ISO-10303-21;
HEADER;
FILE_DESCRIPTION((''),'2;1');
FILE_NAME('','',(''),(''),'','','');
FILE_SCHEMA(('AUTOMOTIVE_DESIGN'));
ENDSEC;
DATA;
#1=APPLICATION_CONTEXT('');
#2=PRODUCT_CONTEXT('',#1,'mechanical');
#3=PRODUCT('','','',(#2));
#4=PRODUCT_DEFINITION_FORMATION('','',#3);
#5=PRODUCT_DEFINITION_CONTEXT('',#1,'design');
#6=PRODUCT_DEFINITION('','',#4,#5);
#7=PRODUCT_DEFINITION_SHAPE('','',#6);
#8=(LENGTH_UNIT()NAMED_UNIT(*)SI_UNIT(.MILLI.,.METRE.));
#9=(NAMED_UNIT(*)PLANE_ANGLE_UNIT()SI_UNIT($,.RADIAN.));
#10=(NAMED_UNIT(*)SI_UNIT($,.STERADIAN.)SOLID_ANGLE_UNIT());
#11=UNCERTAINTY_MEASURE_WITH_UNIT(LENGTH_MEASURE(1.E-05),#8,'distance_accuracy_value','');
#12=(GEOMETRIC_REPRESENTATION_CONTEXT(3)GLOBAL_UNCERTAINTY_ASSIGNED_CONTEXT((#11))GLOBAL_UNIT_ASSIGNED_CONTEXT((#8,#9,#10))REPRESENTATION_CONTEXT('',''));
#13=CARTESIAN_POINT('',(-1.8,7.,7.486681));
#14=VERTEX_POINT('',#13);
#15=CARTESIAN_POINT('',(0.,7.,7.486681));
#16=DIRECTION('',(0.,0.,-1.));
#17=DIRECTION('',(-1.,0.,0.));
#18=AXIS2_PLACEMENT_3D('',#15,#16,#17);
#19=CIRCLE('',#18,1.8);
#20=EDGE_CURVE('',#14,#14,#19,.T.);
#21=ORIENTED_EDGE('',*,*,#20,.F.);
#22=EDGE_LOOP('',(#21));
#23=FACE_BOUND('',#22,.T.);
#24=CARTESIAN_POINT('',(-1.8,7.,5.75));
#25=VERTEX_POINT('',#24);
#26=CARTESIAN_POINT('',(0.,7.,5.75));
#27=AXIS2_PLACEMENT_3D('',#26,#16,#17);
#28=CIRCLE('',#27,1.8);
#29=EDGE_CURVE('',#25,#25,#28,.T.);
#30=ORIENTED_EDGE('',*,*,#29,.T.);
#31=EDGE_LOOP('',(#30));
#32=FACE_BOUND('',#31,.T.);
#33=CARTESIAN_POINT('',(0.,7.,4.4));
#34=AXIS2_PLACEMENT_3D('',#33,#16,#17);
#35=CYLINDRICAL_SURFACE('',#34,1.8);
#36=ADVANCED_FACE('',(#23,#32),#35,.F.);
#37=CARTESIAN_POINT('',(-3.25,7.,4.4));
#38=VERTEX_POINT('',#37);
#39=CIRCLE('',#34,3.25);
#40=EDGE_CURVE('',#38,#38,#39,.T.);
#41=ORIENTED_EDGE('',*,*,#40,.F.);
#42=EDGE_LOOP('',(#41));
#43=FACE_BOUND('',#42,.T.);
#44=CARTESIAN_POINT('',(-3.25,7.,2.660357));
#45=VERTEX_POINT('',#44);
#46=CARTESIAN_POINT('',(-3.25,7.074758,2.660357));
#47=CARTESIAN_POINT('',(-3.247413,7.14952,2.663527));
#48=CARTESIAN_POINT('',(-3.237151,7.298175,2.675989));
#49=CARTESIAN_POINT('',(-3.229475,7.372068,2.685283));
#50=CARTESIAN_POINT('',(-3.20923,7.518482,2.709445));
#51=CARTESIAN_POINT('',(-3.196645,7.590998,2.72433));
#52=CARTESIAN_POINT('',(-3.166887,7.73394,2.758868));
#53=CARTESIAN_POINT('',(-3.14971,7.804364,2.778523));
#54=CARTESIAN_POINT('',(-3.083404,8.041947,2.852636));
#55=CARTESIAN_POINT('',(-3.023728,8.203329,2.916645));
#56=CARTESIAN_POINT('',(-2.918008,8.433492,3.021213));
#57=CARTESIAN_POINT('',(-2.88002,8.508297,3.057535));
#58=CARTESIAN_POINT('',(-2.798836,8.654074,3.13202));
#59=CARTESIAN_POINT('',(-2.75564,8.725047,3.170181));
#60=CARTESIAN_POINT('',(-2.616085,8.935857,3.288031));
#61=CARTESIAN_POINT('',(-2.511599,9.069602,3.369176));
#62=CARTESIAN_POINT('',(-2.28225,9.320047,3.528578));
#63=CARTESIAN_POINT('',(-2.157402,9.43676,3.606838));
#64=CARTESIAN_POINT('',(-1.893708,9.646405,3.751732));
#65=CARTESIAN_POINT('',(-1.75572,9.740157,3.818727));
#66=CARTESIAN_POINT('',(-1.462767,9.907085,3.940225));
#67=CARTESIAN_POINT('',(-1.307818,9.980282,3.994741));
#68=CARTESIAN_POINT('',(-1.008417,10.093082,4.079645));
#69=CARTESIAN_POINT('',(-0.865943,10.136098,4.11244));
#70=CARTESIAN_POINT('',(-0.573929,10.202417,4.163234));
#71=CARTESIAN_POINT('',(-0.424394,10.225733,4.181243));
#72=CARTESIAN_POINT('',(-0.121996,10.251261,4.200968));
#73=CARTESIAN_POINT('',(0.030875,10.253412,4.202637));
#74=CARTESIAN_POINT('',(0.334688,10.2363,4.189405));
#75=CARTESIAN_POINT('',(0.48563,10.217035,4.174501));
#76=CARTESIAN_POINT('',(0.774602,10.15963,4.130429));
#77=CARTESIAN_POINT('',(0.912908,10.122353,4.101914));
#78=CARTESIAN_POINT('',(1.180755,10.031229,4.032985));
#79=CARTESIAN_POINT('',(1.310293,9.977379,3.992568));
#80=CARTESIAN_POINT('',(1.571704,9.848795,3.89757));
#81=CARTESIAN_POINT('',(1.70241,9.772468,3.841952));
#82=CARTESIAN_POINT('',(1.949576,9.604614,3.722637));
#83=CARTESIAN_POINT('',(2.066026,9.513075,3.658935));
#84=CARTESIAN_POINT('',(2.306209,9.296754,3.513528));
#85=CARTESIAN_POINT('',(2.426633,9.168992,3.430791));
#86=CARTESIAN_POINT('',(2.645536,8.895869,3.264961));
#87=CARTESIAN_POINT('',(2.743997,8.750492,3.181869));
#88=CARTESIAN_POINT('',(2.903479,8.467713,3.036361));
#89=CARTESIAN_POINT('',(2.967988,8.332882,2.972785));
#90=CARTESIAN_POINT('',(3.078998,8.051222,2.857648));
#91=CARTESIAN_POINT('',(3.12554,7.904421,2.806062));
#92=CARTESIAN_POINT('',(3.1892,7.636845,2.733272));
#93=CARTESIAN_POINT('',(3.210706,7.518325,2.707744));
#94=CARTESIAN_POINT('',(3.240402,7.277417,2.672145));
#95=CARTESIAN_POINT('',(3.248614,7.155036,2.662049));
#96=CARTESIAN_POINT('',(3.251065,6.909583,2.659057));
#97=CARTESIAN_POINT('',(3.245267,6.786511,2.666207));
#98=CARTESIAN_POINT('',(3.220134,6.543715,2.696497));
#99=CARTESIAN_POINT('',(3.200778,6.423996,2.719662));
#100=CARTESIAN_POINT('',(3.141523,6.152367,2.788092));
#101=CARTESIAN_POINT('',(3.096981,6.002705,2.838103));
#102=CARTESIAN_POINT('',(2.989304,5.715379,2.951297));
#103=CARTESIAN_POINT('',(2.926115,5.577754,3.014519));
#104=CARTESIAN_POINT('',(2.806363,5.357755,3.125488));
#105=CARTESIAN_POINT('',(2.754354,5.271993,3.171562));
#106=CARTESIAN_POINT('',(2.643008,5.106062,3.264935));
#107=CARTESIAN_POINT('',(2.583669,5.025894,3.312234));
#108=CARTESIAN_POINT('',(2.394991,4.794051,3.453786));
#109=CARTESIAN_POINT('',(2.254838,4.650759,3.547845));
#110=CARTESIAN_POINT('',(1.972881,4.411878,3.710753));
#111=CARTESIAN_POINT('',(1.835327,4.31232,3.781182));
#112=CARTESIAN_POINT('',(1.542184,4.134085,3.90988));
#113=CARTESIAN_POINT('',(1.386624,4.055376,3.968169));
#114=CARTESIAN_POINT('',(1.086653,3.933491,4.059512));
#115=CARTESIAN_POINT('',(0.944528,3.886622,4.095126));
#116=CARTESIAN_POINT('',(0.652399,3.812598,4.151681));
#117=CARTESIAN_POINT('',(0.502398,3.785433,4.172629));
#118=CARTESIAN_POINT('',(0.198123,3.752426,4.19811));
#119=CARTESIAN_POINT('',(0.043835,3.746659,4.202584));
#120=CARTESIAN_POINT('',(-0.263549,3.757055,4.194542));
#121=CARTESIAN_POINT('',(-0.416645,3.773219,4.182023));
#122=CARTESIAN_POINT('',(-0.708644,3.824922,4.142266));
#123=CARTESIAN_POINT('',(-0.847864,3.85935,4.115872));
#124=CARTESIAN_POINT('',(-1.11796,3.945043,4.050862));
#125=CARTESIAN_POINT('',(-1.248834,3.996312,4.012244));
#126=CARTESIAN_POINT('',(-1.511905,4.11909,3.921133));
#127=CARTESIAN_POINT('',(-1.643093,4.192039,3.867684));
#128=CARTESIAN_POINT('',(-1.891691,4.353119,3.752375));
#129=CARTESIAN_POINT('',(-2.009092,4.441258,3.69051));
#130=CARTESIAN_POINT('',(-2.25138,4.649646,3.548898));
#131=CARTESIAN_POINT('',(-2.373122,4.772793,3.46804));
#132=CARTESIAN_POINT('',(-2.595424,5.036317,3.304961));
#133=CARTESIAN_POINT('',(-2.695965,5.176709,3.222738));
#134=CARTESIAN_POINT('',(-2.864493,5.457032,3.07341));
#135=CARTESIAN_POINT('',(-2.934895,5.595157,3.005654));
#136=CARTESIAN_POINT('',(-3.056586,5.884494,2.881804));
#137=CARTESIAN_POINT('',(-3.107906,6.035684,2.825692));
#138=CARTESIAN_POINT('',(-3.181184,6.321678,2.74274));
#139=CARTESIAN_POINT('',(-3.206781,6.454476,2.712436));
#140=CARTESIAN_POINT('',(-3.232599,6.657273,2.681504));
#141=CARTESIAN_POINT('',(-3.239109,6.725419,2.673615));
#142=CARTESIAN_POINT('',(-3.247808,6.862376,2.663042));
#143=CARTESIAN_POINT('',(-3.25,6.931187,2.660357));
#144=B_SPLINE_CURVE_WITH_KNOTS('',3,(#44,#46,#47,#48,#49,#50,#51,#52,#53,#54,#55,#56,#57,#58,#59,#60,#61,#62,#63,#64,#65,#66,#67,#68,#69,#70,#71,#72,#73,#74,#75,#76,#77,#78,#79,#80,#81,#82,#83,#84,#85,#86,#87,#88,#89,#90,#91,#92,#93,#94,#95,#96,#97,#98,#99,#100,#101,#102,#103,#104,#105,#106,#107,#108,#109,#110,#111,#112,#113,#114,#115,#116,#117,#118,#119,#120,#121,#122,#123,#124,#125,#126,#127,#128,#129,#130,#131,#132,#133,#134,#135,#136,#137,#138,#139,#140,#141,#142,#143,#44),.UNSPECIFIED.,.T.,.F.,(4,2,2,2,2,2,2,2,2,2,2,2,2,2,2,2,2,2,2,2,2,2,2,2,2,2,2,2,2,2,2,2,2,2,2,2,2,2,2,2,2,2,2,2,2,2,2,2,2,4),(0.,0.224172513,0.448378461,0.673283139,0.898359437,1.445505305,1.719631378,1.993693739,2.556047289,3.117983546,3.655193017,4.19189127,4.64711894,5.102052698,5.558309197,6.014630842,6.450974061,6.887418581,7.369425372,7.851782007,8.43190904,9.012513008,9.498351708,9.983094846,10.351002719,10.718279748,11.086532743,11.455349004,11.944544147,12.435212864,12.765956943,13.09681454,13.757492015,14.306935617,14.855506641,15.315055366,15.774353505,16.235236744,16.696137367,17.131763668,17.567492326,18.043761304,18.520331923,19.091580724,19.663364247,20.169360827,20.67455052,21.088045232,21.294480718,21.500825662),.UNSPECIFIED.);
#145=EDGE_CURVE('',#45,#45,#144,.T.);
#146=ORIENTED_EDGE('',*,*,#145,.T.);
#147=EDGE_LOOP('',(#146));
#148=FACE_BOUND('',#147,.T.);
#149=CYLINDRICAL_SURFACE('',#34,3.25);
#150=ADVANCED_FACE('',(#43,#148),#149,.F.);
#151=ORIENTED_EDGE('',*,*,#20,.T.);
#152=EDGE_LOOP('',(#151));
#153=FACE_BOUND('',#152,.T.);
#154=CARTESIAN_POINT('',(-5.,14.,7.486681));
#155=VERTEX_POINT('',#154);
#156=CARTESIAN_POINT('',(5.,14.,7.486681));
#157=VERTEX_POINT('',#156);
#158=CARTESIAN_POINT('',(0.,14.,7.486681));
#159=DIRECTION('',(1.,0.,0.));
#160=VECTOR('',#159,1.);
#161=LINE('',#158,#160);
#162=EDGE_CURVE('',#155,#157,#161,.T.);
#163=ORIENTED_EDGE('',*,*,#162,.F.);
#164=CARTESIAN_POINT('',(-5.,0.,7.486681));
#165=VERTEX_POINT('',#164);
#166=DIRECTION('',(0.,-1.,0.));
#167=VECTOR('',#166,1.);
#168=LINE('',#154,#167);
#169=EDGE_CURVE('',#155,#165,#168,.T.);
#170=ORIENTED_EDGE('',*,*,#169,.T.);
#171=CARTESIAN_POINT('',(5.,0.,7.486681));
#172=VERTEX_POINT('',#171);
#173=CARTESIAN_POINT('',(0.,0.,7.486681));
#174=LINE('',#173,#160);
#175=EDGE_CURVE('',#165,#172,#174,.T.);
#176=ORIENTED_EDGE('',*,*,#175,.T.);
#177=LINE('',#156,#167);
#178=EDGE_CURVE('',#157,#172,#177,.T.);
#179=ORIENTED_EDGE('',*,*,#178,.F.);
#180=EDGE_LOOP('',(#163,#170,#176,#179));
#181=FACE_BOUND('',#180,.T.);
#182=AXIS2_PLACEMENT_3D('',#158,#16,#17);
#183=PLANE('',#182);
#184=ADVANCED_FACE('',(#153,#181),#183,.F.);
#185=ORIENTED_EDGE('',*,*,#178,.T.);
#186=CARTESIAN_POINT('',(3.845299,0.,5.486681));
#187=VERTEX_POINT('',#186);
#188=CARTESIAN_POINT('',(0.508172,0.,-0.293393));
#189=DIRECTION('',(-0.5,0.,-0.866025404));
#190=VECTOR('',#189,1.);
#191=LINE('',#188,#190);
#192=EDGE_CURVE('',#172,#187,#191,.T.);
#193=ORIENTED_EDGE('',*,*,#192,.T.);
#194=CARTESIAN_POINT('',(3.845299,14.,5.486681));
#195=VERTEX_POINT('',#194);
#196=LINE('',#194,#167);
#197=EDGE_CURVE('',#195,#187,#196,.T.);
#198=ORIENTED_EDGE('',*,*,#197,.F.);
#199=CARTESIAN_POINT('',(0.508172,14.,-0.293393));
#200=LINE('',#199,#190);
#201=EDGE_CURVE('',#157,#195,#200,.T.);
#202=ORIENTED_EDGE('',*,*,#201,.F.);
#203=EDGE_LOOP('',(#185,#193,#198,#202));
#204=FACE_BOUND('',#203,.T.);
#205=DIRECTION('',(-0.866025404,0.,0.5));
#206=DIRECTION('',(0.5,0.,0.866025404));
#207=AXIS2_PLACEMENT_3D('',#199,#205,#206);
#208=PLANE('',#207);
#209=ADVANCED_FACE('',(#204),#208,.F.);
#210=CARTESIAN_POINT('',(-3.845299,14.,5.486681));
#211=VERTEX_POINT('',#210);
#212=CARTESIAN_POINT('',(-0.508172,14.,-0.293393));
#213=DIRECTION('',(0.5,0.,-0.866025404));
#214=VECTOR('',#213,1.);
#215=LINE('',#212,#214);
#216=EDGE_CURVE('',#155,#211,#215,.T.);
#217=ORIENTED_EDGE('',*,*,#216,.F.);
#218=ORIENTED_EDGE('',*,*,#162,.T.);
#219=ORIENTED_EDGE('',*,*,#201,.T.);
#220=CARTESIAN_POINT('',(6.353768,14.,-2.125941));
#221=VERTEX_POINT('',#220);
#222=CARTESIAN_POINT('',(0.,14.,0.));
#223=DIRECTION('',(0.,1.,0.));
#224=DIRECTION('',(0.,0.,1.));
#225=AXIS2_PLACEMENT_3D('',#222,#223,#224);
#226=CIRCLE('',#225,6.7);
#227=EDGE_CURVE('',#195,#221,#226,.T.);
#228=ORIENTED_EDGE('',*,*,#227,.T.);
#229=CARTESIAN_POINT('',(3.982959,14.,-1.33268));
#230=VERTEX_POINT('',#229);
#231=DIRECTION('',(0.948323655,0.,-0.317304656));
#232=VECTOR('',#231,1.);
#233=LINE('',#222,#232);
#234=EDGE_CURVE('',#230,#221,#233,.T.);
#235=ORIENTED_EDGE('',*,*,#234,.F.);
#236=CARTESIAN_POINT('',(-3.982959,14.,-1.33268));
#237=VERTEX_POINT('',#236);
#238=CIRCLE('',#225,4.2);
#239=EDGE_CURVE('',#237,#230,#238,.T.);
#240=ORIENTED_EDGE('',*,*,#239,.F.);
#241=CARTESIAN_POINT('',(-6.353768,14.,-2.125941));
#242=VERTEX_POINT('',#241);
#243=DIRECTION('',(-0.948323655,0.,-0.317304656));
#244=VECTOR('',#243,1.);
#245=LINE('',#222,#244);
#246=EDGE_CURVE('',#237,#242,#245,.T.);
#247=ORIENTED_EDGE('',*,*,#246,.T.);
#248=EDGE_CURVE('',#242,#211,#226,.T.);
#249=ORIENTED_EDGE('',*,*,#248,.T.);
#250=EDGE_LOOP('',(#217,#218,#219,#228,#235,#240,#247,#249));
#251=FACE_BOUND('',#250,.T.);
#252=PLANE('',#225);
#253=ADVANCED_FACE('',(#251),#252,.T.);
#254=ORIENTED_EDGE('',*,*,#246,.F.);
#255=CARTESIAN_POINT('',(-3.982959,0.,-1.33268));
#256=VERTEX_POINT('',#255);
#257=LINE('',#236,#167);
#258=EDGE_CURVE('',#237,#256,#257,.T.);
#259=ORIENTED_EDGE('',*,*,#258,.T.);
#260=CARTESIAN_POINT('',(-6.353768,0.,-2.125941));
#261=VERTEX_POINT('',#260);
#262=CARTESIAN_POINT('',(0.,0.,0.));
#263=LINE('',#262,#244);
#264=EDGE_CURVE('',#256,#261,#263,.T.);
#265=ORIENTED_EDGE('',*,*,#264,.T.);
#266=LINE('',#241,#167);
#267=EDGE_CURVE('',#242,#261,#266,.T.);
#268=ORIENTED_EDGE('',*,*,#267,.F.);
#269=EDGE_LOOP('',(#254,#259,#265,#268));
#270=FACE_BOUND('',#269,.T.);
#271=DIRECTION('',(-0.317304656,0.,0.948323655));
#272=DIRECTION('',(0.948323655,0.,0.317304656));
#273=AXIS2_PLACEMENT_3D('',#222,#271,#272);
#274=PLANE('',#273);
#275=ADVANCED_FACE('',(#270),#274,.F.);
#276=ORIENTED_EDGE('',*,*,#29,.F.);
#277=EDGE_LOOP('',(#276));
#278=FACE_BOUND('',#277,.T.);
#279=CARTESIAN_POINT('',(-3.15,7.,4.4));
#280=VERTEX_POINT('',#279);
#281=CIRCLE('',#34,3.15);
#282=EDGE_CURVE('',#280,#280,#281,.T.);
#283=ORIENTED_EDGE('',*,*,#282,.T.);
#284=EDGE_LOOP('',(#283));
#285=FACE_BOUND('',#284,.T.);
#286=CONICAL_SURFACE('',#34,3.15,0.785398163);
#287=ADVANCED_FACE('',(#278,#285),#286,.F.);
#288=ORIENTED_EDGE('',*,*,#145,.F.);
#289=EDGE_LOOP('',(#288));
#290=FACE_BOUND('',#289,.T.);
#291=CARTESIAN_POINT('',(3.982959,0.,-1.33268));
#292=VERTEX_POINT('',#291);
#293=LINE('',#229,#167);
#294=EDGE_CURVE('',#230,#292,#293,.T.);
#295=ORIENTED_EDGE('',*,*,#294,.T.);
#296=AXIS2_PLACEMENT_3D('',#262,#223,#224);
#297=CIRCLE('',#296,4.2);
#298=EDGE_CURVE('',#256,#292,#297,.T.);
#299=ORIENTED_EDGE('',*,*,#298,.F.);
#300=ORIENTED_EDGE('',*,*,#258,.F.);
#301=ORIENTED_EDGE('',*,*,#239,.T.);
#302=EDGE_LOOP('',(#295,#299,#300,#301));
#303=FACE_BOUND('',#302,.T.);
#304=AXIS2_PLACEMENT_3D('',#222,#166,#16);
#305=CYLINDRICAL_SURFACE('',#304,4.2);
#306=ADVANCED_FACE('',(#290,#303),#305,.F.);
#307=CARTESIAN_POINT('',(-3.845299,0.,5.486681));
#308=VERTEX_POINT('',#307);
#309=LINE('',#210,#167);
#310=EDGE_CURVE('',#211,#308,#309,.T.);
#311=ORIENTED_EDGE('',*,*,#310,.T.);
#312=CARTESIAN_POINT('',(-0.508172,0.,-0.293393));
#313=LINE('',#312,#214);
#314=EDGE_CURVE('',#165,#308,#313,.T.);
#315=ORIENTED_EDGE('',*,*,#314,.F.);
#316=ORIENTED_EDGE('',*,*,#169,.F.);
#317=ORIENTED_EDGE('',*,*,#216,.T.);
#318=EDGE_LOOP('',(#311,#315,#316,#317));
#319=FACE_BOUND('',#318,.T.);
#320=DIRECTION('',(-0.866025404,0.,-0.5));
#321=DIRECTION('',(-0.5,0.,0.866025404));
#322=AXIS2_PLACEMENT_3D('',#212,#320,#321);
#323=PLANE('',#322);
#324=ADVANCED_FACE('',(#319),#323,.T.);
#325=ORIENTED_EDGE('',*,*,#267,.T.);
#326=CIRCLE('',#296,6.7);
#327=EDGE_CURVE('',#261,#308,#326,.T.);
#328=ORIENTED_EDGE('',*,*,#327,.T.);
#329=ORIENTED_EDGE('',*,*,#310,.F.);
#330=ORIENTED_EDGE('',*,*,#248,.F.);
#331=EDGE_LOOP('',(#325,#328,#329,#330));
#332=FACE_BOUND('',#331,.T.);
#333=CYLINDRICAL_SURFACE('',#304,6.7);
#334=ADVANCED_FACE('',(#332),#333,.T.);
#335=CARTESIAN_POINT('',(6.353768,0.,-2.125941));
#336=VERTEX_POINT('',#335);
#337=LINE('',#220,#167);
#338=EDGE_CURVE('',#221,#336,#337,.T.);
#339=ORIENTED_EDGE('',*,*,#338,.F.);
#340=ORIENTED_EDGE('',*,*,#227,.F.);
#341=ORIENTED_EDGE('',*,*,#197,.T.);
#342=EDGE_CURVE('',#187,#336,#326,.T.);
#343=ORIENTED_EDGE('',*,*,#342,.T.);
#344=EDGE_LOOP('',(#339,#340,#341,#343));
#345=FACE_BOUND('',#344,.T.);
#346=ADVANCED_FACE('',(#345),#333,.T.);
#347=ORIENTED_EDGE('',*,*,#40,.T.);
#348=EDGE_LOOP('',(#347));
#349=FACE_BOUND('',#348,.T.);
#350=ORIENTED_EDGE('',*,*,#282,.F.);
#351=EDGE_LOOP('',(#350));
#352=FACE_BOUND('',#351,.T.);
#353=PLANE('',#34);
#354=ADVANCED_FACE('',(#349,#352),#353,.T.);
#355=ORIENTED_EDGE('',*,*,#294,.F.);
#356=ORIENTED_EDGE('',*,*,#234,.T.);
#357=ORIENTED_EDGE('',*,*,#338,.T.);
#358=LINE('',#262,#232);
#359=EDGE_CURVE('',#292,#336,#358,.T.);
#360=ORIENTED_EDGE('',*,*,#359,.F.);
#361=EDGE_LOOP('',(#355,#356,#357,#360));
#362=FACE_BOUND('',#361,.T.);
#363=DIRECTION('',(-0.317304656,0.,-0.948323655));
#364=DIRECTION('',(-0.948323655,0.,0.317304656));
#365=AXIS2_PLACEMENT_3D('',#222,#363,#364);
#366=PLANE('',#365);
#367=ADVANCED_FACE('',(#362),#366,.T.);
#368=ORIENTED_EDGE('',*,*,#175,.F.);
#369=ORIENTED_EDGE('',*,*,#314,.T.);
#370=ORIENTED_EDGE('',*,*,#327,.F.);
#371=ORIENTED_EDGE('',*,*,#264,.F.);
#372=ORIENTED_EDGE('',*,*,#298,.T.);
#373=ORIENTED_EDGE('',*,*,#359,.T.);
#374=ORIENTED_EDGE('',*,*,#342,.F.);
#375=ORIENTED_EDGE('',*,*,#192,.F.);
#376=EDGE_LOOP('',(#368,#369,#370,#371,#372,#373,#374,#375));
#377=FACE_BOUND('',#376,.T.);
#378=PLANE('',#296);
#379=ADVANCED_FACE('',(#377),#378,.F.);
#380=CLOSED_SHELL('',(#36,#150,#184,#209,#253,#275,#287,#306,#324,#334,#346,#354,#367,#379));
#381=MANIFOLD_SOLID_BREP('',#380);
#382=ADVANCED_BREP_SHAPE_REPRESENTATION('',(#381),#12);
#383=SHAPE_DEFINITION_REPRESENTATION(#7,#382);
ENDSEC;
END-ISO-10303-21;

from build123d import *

# Parameters (mm, degrees)
BOSS_EXTRUDE1_DEPTH                             = 14
CUT_EXTRUDE1_DEPTH                              = 17.760296299
CUT_EXTRUDE1_DEPTH_BACK                         = 0.2
SKETCH4_R                                       = 3.25
CSK_FOR_M3_FLAT_HEAD_MACHINE_SCREW4_D           = 3.6
CSK_FOR_M3_FLAT_HEAD_MACHINE_SCREW4_DEPTH       = 7.5
CSK_FOR_M3_FLAT_HEAD_MACHINE_SCREW4_CSINK_D     = 6.3
CSK_FOR_M3_FLAT_HEAD_MACHINE_SCREW4_CSINK_ANGLE = 90
CSK_FOR_M3_FLAT_HEAD_MACHINE_SCREW4_TIP         = 1.081549114


with BuildPart() as part:
    # Sketch1 → Boss-Extrude1 (new body)
    with BuildSketch(Plane(origin=(0, 0, 0), x_dir=(1, 0, 0), z_dir=(0, 1, 0))):
        with BuildLine():
            Line((-5, -7.486681333), (5, -7.486681333))
            Line((5, -7.486681333), (3.845299462, -5.486681333))
            ThreePointArc((3.845299462, -5.486681333), (6.363430853, -2.096842336), (6.35376849, 2.125941198))
            Line((6.35376849, 2.125941198), (3.982959352, 1.332679557))
            ThreePointArc((3.982959352, 1.332679557), (0, -4.2), (-3.982959352, 1.332679557))
            Line((-3.982959352, 1.332679557), (-6.35376849, 2.125941198))
            ThreePointArc((-6.35376849, 2.125941198), (-6.363430853, -2.096842336), (-3.845299462, -5.486681333))
            Line((-3.845299462, -5.486681333), (-5, -7.486681333))
        make_face()
    extrude(amount=BOSS_EXTRUDE1_DEPTH)

    # Sketch4 → Cut-Extrude1 (cut, two sides: drawn at the far end of the back side and taken through both)
    with BuildSketch(Plane(origin=(0, 0, 4.2), x_dir=(-1, 0, 0), z_dir=(0, 0, -1)).offset(-CUT_EXTRUDE1_DEPTH_BACK)):
        with Locations((0, 7)):
            Circle(SKETCH4_R)
    extrude(amount=CUT_EXTRUDE1_DEPTH + CUT_EXTRUDE1_DEPTH_BACK, mode=Mode.SUBTRACT)

    # CSK for M3 Flat Head Machine Screw4
    with Locations(Plane(origin=(0, 0, 4.4), x_dir=(-1, 0, 0), z_dir=(0, 0, -1))):
        with Locations((0, 7)):
            CounterSinkHole(CSK_FOR_M3_FLAT_HEAD_MACHINE_SCREW4_D / 2, CSK_FOR_M3_FLAT_HEAD_MACHINE_SCREW4_CSINK_D / 2, depth=CSK_FOR_M3_FLAT_HEAD_MACHINE_SCREW4_DEPTH, counter_sink_angle=CSK_FOR_M3_FLAT_HEAD_MACHINE_SCREW4_CSINK_ANGLE)
            with Locations((0, 0, -(CSK_FOR_M3_FLAT_HEAD_MACHINE_SCREW4_DEPTH + CSK_FOR_M3_FLAT_HEAD_MACHINE_SCREW4_TIP / 2))):  # 118° drill point
                Cone(0, CSK_FOR_M3_FLAT_HEAD_MACHINE_SCREW4_D / 2, CSK_FOR_M3_FLAT_HEAD_MACHINE_SCREW4_TIP, mode=Mode.SUBTRACT)


solid = part.part
